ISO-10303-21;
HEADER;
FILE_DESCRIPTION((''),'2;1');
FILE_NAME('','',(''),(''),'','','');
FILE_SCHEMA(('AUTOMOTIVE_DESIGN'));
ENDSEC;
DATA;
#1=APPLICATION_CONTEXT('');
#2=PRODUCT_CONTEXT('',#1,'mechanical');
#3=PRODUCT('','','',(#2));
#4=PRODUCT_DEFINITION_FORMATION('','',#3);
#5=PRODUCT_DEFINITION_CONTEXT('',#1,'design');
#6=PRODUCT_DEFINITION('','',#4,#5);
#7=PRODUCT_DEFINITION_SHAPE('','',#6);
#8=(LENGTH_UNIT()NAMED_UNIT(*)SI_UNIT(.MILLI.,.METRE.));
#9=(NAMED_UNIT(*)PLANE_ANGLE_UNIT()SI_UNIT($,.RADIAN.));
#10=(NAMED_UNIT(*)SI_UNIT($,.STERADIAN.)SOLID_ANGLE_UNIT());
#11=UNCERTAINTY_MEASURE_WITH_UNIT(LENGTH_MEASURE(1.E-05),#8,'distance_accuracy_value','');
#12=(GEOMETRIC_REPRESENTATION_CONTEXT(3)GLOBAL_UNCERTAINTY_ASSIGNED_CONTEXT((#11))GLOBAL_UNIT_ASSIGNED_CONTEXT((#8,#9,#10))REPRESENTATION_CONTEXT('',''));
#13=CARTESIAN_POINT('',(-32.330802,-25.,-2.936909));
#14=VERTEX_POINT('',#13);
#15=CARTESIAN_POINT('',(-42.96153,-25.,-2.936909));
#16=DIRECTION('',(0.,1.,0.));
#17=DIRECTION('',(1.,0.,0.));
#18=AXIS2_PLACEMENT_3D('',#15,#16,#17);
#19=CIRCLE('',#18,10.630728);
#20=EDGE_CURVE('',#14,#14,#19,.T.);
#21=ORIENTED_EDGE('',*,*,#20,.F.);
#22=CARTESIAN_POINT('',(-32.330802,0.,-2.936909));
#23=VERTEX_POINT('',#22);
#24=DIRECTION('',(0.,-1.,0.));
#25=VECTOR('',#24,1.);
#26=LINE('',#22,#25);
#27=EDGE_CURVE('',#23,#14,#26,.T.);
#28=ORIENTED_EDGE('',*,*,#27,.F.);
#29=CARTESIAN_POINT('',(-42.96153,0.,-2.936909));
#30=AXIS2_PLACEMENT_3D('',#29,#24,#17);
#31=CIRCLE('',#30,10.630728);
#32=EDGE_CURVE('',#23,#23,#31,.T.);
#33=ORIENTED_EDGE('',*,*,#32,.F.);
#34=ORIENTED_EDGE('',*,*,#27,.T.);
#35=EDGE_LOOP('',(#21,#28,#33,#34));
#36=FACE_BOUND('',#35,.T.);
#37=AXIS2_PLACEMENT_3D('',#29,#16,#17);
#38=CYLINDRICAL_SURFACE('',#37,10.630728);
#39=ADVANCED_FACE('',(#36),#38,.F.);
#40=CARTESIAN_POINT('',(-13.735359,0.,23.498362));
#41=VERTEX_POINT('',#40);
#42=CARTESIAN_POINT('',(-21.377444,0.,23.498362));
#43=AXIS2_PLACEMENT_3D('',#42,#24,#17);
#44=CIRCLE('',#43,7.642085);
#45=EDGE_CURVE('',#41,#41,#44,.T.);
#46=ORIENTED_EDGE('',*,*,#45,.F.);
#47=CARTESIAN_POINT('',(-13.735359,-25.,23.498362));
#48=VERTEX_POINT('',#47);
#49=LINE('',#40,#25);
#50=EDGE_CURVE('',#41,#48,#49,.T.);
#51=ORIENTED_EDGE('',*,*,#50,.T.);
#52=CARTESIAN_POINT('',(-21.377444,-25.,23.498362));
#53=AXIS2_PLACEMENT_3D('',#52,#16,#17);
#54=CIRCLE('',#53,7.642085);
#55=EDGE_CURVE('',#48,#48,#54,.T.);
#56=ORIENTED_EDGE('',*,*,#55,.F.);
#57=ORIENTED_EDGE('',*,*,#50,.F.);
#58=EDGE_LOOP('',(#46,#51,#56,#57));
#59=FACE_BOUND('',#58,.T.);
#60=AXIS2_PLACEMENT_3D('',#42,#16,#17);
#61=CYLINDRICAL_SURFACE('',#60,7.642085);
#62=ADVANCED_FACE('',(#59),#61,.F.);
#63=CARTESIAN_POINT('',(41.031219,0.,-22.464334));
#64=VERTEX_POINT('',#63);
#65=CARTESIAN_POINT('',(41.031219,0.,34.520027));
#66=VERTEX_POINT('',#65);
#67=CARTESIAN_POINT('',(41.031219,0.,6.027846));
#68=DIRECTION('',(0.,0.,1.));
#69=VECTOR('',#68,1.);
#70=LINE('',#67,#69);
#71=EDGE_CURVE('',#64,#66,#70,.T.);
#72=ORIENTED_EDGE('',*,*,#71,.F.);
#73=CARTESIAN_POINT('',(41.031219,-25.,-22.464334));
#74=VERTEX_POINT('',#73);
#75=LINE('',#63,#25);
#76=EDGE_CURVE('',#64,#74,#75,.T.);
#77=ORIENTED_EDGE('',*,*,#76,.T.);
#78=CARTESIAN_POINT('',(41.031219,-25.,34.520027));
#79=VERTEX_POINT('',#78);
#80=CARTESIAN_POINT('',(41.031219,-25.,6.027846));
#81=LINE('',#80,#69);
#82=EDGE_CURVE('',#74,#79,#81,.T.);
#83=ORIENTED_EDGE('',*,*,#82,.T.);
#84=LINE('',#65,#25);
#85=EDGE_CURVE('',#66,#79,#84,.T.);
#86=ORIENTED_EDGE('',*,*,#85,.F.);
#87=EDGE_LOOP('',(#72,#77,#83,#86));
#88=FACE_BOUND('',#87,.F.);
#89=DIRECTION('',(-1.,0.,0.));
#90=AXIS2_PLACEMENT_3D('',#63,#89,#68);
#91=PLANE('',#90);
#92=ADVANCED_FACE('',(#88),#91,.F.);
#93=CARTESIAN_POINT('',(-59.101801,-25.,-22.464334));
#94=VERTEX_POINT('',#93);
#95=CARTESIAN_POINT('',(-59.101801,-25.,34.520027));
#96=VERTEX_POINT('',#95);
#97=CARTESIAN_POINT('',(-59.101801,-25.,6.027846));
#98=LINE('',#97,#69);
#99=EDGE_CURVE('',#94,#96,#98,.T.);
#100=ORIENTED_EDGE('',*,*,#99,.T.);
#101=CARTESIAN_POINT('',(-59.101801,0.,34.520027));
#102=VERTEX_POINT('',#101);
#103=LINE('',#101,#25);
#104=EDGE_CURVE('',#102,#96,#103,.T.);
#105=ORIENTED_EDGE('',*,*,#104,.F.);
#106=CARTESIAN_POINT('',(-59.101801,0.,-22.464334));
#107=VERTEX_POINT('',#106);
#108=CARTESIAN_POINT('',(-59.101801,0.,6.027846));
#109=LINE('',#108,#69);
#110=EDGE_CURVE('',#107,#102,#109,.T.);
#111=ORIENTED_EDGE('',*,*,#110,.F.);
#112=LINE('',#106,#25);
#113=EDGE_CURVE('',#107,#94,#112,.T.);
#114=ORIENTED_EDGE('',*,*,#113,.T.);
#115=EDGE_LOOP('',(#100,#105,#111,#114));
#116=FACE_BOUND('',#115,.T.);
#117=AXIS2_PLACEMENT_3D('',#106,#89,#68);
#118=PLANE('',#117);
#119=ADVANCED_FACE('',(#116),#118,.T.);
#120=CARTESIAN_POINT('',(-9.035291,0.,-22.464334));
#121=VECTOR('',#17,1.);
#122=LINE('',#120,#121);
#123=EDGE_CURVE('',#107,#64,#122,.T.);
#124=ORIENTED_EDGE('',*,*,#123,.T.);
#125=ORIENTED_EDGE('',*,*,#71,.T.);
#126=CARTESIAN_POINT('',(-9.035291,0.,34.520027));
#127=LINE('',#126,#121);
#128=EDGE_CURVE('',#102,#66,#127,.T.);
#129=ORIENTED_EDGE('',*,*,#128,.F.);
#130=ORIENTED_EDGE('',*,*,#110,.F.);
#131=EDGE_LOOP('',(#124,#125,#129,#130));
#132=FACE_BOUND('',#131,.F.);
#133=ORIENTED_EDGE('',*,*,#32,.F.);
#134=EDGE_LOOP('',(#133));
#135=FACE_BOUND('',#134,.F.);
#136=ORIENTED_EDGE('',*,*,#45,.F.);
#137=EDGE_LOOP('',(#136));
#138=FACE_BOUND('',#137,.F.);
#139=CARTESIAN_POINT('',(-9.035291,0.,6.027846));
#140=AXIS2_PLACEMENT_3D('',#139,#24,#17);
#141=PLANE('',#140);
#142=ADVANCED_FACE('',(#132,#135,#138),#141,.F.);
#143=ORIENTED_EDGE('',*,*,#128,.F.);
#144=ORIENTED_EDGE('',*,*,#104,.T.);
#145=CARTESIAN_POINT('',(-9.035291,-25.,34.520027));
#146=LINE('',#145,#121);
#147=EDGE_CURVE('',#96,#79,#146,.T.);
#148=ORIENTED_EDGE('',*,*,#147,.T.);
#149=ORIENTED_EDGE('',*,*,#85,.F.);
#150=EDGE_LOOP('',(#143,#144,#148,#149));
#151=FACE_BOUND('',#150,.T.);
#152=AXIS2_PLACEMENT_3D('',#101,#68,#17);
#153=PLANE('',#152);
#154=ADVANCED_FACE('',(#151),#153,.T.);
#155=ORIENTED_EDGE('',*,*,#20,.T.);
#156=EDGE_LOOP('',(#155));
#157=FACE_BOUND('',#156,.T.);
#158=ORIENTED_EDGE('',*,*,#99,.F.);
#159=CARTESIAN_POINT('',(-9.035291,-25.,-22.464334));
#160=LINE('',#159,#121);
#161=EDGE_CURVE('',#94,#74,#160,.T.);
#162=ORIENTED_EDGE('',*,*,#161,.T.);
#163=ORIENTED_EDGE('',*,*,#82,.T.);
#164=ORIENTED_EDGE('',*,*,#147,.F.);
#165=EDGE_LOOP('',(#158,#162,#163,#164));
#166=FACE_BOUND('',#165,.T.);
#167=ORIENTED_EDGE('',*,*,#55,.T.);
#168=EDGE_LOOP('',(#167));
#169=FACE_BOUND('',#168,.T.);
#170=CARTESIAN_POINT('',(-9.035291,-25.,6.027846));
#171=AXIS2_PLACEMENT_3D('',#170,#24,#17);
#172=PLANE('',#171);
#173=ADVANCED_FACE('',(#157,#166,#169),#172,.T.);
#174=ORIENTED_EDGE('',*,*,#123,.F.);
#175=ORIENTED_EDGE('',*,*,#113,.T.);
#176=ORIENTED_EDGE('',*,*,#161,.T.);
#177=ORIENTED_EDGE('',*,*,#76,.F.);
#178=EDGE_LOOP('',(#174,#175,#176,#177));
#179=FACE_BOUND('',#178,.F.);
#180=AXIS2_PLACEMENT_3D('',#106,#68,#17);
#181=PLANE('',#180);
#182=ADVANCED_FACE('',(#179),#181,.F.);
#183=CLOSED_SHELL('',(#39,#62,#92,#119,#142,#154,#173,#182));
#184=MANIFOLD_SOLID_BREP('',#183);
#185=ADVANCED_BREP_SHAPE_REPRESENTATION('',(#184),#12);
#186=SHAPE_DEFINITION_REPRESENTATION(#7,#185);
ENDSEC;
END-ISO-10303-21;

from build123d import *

# Parameters (mm, degrees)
F0_W     = 100.13302
F0_H     = 56.984361
F1_DEPTH = 25
F2_R     = 7.642085
F3_DEPTH = 120.5
F4_R     = 10.630728
F5_DEPTH = 179


with BuildPart() as f1:
    # F0 (on Front) → F1 (new body)
    with BuildSketch(Plane.XZ):
        with Locations((-9.035291, 6.027846)):
            Rectangle(F0_W, F0_H)
    extrude(amount=F1_DEPTH)

    # F2 (on Front) → F3 (cut)
    with BuildSketch(Plane.XZ):
        with Locations((-21.377444, 23.498362)):
            Circle(F2_R)
    extrude(amount=F3_DEPTH, mode=Mode.SUBTRACT)

    # F4 (on Front) → F5 (cut)
    with BuildSketch(Plane.XZ):
        with Locations((-42.96153, -2.936909)):
            Circle(F4_R)
    extrude(amount=F5_DEPTH, mode=Mode.SUBTRACT)


solid = f1.part
